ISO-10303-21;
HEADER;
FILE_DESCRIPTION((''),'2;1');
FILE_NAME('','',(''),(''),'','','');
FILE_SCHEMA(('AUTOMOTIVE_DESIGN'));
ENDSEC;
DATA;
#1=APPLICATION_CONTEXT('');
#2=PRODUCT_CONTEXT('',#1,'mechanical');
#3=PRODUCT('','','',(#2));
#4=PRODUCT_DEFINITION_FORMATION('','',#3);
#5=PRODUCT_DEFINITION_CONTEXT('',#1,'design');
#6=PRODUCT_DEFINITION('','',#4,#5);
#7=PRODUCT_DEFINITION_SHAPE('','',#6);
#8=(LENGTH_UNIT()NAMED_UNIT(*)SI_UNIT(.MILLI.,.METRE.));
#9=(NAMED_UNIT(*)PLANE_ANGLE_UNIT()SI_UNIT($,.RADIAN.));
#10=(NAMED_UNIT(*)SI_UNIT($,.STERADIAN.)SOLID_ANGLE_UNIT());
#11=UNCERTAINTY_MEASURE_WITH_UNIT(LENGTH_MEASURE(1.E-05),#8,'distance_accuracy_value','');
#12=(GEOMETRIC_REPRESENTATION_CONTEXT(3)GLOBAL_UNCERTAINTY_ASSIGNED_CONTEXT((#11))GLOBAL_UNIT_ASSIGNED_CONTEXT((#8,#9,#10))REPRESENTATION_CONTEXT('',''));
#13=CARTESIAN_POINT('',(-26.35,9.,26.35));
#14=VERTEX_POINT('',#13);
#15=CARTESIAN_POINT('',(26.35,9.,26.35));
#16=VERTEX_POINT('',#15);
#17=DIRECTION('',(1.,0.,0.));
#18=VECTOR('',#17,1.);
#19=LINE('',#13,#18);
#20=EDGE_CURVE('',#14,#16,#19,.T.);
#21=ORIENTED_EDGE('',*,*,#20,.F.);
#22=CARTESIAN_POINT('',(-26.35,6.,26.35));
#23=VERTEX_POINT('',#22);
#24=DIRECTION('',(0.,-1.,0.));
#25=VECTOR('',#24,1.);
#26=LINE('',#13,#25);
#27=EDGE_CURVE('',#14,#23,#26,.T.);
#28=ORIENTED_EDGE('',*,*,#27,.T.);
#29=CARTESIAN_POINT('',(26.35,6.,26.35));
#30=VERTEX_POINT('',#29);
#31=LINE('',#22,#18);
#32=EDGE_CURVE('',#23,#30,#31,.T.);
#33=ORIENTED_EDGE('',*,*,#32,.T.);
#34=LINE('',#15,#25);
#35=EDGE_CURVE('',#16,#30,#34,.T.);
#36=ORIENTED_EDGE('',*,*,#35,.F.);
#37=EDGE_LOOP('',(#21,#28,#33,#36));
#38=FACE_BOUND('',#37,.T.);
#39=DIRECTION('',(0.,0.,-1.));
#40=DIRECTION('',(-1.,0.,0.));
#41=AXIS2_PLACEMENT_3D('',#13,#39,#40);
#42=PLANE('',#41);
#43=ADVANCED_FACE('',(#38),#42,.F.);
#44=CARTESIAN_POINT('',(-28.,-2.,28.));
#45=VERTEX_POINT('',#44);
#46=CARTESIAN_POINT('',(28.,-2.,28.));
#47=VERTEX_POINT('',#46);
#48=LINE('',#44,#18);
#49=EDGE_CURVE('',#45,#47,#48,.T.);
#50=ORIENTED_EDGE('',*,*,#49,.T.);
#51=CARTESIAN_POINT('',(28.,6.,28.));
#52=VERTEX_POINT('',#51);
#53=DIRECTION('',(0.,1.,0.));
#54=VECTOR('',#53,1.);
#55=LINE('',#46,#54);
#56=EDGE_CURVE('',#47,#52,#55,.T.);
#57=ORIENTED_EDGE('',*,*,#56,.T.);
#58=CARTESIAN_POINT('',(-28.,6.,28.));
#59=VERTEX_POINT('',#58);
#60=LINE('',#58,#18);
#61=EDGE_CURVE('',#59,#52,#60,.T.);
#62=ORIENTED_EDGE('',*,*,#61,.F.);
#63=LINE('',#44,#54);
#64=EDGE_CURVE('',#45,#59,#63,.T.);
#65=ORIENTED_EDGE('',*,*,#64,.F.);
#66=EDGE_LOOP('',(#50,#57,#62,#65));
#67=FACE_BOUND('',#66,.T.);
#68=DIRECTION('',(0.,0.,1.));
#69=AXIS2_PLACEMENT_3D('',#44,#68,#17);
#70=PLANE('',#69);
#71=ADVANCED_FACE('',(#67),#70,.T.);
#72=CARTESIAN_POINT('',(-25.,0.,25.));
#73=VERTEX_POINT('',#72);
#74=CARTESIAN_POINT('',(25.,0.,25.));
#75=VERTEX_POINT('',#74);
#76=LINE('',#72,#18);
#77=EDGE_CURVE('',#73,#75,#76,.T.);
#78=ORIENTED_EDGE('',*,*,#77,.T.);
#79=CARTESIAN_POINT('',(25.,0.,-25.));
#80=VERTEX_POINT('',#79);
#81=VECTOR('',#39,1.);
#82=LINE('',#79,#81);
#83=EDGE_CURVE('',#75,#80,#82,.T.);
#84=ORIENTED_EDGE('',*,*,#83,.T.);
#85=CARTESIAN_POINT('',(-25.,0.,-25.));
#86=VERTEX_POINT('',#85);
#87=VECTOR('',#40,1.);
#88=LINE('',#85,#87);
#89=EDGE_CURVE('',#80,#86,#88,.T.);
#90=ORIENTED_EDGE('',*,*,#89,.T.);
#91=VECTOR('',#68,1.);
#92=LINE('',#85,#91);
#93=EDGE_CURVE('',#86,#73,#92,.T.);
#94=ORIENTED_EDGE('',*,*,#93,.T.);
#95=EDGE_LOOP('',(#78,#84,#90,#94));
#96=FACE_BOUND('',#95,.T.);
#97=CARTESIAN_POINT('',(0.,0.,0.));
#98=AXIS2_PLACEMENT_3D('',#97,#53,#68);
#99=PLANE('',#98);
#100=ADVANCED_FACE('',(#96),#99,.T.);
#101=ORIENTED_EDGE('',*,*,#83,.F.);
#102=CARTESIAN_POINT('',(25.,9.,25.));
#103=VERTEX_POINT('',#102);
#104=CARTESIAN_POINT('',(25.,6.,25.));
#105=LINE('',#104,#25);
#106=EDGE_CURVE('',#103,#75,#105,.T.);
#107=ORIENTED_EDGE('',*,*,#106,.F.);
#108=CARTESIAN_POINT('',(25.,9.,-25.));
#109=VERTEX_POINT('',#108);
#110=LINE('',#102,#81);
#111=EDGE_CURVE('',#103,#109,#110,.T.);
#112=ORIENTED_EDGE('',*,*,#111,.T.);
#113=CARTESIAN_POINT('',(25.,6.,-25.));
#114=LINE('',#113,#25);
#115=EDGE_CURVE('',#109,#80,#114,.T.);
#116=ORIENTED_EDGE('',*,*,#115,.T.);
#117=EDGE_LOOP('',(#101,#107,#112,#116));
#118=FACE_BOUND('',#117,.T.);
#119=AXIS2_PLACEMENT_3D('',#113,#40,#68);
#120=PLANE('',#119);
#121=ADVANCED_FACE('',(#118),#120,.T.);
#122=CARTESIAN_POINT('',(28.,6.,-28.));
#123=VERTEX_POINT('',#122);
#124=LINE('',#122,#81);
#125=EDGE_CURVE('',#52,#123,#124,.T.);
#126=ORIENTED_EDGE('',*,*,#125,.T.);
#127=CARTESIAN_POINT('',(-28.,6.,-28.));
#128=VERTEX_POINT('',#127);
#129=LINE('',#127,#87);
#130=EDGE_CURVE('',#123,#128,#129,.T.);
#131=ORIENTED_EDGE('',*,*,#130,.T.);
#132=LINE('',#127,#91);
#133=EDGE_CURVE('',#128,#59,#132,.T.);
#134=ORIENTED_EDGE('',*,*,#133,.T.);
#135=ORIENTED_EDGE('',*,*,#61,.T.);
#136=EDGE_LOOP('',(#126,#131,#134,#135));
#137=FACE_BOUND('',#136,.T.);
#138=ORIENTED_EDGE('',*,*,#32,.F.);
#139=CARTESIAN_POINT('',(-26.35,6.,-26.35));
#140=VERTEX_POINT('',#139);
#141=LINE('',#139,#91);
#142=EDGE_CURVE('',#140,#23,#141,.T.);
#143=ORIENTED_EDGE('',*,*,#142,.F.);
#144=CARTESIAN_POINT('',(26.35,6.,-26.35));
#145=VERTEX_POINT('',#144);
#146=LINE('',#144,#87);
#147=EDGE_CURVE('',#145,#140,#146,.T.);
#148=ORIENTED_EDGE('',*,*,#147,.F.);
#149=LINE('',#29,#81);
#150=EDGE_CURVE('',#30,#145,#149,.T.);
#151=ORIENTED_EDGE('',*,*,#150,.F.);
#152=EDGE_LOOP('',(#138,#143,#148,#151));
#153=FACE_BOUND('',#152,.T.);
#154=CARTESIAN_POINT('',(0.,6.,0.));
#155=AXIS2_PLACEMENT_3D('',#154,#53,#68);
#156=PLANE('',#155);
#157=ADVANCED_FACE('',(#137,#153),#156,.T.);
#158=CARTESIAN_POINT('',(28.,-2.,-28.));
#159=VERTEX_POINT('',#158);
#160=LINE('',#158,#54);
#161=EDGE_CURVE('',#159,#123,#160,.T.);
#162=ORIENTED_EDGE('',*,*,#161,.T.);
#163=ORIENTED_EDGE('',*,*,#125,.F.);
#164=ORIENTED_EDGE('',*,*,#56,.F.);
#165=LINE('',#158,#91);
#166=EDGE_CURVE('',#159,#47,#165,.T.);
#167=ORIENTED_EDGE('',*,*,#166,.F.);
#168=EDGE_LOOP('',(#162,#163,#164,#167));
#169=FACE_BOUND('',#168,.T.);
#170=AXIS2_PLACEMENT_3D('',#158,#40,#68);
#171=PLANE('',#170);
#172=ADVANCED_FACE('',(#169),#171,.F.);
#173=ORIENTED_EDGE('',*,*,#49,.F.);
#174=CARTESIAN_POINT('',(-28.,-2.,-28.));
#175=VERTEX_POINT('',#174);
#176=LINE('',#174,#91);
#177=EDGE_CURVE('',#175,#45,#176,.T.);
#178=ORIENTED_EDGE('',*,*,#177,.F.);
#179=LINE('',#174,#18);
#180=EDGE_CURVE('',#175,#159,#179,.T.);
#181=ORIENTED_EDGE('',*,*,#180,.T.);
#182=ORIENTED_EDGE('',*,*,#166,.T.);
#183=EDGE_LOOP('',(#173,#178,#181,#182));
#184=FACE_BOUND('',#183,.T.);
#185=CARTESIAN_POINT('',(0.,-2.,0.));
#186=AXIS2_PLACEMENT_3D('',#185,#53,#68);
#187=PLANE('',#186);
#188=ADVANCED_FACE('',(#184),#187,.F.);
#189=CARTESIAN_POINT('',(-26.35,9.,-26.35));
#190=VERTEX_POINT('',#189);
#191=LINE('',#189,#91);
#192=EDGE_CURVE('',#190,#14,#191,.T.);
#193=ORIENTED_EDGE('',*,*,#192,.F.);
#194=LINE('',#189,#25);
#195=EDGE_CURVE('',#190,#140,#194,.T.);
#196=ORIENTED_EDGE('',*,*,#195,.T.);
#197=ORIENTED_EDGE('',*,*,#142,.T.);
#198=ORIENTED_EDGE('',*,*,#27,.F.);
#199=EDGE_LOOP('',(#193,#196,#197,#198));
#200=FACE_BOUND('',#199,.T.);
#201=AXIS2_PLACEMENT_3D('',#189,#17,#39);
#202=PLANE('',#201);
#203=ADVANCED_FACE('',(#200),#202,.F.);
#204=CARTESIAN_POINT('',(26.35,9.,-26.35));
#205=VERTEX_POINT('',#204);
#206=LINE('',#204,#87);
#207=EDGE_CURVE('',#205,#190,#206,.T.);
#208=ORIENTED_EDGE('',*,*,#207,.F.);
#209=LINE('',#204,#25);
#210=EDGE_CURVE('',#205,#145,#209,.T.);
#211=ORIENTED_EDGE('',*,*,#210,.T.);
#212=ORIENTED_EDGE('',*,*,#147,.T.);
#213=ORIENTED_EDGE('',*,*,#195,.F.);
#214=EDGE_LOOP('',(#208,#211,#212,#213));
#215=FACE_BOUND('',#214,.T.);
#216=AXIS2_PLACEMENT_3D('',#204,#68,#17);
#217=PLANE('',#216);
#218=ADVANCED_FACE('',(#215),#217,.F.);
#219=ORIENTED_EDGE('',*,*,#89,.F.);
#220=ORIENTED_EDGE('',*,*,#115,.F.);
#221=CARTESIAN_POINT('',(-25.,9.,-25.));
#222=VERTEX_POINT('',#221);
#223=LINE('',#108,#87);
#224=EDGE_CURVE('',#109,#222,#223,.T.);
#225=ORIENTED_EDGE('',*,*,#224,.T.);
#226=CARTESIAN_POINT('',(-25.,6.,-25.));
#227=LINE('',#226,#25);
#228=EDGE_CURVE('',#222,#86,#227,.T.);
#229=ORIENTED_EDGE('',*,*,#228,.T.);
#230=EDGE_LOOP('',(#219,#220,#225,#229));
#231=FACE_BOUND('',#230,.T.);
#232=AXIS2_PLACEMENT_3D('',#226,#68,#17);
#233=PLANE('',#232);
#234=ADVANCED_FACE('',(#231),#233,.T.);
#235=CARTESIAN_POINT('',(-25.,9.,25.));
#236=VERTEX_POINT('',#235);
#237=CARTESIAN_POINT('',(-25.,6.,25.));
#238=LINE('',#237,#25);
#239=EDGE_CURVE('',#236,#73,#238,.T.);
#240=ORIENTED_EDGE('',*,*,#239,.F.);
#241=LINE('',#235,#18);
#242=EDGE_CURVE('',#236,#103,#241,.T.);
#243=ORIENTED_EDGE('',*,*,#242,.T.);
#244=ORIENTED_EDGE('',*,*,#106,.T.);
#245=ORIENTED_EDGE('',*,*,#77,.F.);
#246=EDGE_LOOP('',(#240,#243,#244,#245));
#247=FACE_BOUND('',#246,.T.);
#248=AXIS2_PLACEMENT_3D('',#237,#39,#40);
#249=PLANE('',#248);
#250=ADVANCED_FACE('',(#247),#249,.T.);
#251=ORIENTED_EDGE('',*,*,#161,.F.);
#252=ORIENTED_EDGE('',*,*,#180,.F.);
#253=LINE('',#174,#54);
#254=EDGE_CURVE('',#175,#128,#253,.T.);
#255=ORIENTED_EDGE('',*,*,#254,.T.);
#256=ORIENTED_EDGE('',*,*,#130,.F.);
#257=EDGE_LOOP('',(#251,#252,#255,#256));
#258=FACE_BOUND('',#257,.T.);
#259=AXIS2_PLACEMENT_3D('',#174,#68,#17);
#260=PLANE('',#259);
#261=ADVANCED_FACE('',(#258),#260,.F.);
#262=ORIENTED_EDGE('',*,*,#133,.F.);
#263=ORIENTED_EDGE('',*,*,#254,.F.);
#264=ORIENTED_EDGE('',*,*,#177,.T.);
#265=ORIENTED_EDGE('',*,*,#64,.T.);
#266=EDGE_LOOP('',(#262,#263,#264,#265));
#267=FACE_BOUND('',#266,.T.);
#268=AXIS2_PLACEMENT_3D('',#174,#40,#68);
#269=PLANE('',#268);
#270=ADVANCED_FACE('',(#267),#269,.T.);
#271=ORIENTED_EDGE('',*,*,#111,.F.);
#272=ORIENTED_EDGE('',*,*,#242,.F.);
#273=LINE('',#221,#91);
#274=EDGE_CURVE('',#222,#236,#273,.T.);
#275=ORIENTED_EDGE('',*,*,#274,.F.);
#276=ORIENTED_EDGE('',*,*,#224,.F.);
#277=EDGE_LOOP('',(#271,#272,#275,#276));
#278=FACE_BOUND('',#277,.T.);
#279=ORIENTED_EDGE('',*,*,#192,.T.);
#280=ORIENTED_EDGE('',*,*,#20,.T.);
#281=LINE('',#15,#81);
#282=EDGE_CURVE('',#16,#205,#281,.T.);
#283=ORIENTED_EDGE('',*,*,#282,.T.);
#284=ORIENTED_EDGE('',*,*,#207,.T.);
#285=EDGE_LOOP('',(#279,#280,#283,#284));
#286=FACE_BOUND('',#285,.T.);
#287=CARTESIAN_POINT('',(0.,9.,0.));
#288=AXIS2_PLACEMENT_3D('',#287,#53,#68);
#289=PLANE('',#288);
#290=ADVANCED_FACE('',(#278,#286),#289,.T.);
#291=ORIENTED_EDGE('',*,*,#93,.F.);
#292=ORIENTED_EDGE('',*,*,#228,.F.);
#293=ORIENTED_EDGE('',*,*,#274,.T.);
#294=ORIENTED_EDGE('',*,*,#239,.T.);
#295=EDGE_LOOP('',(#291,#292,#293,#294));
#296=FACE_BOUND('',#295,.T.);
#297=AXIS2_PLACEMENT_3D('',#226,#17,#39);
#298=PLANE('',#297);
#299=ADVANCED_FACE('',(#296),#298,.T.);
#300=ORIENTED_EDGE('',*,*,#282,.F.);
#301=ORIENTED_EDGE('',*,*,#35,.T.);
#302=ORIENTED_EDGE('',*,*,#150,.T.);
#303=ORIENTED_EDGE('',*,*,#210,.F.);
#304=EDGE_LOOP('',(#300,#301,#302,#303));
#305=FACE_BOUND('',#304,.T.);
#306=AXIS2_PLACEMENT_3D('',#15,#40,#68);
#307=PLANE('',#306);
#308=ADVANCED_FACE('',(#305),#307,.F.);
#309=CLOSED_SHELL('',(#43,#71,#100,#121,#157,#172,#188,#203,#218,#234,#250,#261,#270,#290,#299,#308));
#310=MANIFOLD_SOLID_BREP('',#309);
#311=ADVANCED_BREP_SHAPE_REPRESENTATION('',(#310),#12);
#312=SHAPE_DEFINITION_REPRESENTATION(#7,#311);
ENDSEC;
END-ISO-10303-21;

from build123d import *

# Parameters (mm, degrees)
SKETCH1_W           = 56
SKETCH1_H           = 56
BOSS_EXTRUDE1_DEPTH = 2
SKETCH1_3_W         = 56
SKETCH1_3_H         = 56
SKETCH1_3_W_2       = 50
SKETCH1_3_H_2       = 50
BOSS_EXTRUDE2_DEPTH = 6
SKETCH2_W           = 52.7
SKETCH2_H           = 52.7
SKETCH2_W_2         = 50
SKETCH2_H_2         = 50
BOSS_EXTRUDE3_DEPTH = 3


with BuildPart() as part:
    # Sketch1 → Boss-Extrude1 (new body)
    with BuildSketch(Plane(origin=(0, 0, 0), x_dir=(1, 0, 0), z_dir=(0, 1, 0))):
        Rectangle(SKETCH1_W, SKETCH1_H)
    extrude(amount=-BOSS_EXTRUDE1_DEPTH)

    # Sketch1<3> → Boss-Extrude2 (add)
    with BuildSketch(Plane(origin=(0, 0, 0), x_dir=(1, 0, 0), z_dir=(0, 1, 0))):
        Rectangle(SKETCH1_3_W, SKETCH1_3_H)
        Rectangle(SKETCH1_3_W_2, SKETCH1_3_H_2, mode=Mode.SUBTRACT)
    extrude(amount=BOSS_EXTRUDE2_DEPTH)

    # Sketch2 → Boss-Extrude3 (add)
    with BuildSketch(Plane(origin=(0, 6, 0), x_dir=(1, 0, 0), z_dir=(0, 1, 0))):
        Rectangle(SKETCH2_W, SKETCH2_H)
        Rectangle(SKETCH2_W_2, SKETCH2_H_2, mode=Mode.SUBTRACT)
    extrude(amount=BOSS_EXTRUDE3_DEPTH)


solid = part.part
